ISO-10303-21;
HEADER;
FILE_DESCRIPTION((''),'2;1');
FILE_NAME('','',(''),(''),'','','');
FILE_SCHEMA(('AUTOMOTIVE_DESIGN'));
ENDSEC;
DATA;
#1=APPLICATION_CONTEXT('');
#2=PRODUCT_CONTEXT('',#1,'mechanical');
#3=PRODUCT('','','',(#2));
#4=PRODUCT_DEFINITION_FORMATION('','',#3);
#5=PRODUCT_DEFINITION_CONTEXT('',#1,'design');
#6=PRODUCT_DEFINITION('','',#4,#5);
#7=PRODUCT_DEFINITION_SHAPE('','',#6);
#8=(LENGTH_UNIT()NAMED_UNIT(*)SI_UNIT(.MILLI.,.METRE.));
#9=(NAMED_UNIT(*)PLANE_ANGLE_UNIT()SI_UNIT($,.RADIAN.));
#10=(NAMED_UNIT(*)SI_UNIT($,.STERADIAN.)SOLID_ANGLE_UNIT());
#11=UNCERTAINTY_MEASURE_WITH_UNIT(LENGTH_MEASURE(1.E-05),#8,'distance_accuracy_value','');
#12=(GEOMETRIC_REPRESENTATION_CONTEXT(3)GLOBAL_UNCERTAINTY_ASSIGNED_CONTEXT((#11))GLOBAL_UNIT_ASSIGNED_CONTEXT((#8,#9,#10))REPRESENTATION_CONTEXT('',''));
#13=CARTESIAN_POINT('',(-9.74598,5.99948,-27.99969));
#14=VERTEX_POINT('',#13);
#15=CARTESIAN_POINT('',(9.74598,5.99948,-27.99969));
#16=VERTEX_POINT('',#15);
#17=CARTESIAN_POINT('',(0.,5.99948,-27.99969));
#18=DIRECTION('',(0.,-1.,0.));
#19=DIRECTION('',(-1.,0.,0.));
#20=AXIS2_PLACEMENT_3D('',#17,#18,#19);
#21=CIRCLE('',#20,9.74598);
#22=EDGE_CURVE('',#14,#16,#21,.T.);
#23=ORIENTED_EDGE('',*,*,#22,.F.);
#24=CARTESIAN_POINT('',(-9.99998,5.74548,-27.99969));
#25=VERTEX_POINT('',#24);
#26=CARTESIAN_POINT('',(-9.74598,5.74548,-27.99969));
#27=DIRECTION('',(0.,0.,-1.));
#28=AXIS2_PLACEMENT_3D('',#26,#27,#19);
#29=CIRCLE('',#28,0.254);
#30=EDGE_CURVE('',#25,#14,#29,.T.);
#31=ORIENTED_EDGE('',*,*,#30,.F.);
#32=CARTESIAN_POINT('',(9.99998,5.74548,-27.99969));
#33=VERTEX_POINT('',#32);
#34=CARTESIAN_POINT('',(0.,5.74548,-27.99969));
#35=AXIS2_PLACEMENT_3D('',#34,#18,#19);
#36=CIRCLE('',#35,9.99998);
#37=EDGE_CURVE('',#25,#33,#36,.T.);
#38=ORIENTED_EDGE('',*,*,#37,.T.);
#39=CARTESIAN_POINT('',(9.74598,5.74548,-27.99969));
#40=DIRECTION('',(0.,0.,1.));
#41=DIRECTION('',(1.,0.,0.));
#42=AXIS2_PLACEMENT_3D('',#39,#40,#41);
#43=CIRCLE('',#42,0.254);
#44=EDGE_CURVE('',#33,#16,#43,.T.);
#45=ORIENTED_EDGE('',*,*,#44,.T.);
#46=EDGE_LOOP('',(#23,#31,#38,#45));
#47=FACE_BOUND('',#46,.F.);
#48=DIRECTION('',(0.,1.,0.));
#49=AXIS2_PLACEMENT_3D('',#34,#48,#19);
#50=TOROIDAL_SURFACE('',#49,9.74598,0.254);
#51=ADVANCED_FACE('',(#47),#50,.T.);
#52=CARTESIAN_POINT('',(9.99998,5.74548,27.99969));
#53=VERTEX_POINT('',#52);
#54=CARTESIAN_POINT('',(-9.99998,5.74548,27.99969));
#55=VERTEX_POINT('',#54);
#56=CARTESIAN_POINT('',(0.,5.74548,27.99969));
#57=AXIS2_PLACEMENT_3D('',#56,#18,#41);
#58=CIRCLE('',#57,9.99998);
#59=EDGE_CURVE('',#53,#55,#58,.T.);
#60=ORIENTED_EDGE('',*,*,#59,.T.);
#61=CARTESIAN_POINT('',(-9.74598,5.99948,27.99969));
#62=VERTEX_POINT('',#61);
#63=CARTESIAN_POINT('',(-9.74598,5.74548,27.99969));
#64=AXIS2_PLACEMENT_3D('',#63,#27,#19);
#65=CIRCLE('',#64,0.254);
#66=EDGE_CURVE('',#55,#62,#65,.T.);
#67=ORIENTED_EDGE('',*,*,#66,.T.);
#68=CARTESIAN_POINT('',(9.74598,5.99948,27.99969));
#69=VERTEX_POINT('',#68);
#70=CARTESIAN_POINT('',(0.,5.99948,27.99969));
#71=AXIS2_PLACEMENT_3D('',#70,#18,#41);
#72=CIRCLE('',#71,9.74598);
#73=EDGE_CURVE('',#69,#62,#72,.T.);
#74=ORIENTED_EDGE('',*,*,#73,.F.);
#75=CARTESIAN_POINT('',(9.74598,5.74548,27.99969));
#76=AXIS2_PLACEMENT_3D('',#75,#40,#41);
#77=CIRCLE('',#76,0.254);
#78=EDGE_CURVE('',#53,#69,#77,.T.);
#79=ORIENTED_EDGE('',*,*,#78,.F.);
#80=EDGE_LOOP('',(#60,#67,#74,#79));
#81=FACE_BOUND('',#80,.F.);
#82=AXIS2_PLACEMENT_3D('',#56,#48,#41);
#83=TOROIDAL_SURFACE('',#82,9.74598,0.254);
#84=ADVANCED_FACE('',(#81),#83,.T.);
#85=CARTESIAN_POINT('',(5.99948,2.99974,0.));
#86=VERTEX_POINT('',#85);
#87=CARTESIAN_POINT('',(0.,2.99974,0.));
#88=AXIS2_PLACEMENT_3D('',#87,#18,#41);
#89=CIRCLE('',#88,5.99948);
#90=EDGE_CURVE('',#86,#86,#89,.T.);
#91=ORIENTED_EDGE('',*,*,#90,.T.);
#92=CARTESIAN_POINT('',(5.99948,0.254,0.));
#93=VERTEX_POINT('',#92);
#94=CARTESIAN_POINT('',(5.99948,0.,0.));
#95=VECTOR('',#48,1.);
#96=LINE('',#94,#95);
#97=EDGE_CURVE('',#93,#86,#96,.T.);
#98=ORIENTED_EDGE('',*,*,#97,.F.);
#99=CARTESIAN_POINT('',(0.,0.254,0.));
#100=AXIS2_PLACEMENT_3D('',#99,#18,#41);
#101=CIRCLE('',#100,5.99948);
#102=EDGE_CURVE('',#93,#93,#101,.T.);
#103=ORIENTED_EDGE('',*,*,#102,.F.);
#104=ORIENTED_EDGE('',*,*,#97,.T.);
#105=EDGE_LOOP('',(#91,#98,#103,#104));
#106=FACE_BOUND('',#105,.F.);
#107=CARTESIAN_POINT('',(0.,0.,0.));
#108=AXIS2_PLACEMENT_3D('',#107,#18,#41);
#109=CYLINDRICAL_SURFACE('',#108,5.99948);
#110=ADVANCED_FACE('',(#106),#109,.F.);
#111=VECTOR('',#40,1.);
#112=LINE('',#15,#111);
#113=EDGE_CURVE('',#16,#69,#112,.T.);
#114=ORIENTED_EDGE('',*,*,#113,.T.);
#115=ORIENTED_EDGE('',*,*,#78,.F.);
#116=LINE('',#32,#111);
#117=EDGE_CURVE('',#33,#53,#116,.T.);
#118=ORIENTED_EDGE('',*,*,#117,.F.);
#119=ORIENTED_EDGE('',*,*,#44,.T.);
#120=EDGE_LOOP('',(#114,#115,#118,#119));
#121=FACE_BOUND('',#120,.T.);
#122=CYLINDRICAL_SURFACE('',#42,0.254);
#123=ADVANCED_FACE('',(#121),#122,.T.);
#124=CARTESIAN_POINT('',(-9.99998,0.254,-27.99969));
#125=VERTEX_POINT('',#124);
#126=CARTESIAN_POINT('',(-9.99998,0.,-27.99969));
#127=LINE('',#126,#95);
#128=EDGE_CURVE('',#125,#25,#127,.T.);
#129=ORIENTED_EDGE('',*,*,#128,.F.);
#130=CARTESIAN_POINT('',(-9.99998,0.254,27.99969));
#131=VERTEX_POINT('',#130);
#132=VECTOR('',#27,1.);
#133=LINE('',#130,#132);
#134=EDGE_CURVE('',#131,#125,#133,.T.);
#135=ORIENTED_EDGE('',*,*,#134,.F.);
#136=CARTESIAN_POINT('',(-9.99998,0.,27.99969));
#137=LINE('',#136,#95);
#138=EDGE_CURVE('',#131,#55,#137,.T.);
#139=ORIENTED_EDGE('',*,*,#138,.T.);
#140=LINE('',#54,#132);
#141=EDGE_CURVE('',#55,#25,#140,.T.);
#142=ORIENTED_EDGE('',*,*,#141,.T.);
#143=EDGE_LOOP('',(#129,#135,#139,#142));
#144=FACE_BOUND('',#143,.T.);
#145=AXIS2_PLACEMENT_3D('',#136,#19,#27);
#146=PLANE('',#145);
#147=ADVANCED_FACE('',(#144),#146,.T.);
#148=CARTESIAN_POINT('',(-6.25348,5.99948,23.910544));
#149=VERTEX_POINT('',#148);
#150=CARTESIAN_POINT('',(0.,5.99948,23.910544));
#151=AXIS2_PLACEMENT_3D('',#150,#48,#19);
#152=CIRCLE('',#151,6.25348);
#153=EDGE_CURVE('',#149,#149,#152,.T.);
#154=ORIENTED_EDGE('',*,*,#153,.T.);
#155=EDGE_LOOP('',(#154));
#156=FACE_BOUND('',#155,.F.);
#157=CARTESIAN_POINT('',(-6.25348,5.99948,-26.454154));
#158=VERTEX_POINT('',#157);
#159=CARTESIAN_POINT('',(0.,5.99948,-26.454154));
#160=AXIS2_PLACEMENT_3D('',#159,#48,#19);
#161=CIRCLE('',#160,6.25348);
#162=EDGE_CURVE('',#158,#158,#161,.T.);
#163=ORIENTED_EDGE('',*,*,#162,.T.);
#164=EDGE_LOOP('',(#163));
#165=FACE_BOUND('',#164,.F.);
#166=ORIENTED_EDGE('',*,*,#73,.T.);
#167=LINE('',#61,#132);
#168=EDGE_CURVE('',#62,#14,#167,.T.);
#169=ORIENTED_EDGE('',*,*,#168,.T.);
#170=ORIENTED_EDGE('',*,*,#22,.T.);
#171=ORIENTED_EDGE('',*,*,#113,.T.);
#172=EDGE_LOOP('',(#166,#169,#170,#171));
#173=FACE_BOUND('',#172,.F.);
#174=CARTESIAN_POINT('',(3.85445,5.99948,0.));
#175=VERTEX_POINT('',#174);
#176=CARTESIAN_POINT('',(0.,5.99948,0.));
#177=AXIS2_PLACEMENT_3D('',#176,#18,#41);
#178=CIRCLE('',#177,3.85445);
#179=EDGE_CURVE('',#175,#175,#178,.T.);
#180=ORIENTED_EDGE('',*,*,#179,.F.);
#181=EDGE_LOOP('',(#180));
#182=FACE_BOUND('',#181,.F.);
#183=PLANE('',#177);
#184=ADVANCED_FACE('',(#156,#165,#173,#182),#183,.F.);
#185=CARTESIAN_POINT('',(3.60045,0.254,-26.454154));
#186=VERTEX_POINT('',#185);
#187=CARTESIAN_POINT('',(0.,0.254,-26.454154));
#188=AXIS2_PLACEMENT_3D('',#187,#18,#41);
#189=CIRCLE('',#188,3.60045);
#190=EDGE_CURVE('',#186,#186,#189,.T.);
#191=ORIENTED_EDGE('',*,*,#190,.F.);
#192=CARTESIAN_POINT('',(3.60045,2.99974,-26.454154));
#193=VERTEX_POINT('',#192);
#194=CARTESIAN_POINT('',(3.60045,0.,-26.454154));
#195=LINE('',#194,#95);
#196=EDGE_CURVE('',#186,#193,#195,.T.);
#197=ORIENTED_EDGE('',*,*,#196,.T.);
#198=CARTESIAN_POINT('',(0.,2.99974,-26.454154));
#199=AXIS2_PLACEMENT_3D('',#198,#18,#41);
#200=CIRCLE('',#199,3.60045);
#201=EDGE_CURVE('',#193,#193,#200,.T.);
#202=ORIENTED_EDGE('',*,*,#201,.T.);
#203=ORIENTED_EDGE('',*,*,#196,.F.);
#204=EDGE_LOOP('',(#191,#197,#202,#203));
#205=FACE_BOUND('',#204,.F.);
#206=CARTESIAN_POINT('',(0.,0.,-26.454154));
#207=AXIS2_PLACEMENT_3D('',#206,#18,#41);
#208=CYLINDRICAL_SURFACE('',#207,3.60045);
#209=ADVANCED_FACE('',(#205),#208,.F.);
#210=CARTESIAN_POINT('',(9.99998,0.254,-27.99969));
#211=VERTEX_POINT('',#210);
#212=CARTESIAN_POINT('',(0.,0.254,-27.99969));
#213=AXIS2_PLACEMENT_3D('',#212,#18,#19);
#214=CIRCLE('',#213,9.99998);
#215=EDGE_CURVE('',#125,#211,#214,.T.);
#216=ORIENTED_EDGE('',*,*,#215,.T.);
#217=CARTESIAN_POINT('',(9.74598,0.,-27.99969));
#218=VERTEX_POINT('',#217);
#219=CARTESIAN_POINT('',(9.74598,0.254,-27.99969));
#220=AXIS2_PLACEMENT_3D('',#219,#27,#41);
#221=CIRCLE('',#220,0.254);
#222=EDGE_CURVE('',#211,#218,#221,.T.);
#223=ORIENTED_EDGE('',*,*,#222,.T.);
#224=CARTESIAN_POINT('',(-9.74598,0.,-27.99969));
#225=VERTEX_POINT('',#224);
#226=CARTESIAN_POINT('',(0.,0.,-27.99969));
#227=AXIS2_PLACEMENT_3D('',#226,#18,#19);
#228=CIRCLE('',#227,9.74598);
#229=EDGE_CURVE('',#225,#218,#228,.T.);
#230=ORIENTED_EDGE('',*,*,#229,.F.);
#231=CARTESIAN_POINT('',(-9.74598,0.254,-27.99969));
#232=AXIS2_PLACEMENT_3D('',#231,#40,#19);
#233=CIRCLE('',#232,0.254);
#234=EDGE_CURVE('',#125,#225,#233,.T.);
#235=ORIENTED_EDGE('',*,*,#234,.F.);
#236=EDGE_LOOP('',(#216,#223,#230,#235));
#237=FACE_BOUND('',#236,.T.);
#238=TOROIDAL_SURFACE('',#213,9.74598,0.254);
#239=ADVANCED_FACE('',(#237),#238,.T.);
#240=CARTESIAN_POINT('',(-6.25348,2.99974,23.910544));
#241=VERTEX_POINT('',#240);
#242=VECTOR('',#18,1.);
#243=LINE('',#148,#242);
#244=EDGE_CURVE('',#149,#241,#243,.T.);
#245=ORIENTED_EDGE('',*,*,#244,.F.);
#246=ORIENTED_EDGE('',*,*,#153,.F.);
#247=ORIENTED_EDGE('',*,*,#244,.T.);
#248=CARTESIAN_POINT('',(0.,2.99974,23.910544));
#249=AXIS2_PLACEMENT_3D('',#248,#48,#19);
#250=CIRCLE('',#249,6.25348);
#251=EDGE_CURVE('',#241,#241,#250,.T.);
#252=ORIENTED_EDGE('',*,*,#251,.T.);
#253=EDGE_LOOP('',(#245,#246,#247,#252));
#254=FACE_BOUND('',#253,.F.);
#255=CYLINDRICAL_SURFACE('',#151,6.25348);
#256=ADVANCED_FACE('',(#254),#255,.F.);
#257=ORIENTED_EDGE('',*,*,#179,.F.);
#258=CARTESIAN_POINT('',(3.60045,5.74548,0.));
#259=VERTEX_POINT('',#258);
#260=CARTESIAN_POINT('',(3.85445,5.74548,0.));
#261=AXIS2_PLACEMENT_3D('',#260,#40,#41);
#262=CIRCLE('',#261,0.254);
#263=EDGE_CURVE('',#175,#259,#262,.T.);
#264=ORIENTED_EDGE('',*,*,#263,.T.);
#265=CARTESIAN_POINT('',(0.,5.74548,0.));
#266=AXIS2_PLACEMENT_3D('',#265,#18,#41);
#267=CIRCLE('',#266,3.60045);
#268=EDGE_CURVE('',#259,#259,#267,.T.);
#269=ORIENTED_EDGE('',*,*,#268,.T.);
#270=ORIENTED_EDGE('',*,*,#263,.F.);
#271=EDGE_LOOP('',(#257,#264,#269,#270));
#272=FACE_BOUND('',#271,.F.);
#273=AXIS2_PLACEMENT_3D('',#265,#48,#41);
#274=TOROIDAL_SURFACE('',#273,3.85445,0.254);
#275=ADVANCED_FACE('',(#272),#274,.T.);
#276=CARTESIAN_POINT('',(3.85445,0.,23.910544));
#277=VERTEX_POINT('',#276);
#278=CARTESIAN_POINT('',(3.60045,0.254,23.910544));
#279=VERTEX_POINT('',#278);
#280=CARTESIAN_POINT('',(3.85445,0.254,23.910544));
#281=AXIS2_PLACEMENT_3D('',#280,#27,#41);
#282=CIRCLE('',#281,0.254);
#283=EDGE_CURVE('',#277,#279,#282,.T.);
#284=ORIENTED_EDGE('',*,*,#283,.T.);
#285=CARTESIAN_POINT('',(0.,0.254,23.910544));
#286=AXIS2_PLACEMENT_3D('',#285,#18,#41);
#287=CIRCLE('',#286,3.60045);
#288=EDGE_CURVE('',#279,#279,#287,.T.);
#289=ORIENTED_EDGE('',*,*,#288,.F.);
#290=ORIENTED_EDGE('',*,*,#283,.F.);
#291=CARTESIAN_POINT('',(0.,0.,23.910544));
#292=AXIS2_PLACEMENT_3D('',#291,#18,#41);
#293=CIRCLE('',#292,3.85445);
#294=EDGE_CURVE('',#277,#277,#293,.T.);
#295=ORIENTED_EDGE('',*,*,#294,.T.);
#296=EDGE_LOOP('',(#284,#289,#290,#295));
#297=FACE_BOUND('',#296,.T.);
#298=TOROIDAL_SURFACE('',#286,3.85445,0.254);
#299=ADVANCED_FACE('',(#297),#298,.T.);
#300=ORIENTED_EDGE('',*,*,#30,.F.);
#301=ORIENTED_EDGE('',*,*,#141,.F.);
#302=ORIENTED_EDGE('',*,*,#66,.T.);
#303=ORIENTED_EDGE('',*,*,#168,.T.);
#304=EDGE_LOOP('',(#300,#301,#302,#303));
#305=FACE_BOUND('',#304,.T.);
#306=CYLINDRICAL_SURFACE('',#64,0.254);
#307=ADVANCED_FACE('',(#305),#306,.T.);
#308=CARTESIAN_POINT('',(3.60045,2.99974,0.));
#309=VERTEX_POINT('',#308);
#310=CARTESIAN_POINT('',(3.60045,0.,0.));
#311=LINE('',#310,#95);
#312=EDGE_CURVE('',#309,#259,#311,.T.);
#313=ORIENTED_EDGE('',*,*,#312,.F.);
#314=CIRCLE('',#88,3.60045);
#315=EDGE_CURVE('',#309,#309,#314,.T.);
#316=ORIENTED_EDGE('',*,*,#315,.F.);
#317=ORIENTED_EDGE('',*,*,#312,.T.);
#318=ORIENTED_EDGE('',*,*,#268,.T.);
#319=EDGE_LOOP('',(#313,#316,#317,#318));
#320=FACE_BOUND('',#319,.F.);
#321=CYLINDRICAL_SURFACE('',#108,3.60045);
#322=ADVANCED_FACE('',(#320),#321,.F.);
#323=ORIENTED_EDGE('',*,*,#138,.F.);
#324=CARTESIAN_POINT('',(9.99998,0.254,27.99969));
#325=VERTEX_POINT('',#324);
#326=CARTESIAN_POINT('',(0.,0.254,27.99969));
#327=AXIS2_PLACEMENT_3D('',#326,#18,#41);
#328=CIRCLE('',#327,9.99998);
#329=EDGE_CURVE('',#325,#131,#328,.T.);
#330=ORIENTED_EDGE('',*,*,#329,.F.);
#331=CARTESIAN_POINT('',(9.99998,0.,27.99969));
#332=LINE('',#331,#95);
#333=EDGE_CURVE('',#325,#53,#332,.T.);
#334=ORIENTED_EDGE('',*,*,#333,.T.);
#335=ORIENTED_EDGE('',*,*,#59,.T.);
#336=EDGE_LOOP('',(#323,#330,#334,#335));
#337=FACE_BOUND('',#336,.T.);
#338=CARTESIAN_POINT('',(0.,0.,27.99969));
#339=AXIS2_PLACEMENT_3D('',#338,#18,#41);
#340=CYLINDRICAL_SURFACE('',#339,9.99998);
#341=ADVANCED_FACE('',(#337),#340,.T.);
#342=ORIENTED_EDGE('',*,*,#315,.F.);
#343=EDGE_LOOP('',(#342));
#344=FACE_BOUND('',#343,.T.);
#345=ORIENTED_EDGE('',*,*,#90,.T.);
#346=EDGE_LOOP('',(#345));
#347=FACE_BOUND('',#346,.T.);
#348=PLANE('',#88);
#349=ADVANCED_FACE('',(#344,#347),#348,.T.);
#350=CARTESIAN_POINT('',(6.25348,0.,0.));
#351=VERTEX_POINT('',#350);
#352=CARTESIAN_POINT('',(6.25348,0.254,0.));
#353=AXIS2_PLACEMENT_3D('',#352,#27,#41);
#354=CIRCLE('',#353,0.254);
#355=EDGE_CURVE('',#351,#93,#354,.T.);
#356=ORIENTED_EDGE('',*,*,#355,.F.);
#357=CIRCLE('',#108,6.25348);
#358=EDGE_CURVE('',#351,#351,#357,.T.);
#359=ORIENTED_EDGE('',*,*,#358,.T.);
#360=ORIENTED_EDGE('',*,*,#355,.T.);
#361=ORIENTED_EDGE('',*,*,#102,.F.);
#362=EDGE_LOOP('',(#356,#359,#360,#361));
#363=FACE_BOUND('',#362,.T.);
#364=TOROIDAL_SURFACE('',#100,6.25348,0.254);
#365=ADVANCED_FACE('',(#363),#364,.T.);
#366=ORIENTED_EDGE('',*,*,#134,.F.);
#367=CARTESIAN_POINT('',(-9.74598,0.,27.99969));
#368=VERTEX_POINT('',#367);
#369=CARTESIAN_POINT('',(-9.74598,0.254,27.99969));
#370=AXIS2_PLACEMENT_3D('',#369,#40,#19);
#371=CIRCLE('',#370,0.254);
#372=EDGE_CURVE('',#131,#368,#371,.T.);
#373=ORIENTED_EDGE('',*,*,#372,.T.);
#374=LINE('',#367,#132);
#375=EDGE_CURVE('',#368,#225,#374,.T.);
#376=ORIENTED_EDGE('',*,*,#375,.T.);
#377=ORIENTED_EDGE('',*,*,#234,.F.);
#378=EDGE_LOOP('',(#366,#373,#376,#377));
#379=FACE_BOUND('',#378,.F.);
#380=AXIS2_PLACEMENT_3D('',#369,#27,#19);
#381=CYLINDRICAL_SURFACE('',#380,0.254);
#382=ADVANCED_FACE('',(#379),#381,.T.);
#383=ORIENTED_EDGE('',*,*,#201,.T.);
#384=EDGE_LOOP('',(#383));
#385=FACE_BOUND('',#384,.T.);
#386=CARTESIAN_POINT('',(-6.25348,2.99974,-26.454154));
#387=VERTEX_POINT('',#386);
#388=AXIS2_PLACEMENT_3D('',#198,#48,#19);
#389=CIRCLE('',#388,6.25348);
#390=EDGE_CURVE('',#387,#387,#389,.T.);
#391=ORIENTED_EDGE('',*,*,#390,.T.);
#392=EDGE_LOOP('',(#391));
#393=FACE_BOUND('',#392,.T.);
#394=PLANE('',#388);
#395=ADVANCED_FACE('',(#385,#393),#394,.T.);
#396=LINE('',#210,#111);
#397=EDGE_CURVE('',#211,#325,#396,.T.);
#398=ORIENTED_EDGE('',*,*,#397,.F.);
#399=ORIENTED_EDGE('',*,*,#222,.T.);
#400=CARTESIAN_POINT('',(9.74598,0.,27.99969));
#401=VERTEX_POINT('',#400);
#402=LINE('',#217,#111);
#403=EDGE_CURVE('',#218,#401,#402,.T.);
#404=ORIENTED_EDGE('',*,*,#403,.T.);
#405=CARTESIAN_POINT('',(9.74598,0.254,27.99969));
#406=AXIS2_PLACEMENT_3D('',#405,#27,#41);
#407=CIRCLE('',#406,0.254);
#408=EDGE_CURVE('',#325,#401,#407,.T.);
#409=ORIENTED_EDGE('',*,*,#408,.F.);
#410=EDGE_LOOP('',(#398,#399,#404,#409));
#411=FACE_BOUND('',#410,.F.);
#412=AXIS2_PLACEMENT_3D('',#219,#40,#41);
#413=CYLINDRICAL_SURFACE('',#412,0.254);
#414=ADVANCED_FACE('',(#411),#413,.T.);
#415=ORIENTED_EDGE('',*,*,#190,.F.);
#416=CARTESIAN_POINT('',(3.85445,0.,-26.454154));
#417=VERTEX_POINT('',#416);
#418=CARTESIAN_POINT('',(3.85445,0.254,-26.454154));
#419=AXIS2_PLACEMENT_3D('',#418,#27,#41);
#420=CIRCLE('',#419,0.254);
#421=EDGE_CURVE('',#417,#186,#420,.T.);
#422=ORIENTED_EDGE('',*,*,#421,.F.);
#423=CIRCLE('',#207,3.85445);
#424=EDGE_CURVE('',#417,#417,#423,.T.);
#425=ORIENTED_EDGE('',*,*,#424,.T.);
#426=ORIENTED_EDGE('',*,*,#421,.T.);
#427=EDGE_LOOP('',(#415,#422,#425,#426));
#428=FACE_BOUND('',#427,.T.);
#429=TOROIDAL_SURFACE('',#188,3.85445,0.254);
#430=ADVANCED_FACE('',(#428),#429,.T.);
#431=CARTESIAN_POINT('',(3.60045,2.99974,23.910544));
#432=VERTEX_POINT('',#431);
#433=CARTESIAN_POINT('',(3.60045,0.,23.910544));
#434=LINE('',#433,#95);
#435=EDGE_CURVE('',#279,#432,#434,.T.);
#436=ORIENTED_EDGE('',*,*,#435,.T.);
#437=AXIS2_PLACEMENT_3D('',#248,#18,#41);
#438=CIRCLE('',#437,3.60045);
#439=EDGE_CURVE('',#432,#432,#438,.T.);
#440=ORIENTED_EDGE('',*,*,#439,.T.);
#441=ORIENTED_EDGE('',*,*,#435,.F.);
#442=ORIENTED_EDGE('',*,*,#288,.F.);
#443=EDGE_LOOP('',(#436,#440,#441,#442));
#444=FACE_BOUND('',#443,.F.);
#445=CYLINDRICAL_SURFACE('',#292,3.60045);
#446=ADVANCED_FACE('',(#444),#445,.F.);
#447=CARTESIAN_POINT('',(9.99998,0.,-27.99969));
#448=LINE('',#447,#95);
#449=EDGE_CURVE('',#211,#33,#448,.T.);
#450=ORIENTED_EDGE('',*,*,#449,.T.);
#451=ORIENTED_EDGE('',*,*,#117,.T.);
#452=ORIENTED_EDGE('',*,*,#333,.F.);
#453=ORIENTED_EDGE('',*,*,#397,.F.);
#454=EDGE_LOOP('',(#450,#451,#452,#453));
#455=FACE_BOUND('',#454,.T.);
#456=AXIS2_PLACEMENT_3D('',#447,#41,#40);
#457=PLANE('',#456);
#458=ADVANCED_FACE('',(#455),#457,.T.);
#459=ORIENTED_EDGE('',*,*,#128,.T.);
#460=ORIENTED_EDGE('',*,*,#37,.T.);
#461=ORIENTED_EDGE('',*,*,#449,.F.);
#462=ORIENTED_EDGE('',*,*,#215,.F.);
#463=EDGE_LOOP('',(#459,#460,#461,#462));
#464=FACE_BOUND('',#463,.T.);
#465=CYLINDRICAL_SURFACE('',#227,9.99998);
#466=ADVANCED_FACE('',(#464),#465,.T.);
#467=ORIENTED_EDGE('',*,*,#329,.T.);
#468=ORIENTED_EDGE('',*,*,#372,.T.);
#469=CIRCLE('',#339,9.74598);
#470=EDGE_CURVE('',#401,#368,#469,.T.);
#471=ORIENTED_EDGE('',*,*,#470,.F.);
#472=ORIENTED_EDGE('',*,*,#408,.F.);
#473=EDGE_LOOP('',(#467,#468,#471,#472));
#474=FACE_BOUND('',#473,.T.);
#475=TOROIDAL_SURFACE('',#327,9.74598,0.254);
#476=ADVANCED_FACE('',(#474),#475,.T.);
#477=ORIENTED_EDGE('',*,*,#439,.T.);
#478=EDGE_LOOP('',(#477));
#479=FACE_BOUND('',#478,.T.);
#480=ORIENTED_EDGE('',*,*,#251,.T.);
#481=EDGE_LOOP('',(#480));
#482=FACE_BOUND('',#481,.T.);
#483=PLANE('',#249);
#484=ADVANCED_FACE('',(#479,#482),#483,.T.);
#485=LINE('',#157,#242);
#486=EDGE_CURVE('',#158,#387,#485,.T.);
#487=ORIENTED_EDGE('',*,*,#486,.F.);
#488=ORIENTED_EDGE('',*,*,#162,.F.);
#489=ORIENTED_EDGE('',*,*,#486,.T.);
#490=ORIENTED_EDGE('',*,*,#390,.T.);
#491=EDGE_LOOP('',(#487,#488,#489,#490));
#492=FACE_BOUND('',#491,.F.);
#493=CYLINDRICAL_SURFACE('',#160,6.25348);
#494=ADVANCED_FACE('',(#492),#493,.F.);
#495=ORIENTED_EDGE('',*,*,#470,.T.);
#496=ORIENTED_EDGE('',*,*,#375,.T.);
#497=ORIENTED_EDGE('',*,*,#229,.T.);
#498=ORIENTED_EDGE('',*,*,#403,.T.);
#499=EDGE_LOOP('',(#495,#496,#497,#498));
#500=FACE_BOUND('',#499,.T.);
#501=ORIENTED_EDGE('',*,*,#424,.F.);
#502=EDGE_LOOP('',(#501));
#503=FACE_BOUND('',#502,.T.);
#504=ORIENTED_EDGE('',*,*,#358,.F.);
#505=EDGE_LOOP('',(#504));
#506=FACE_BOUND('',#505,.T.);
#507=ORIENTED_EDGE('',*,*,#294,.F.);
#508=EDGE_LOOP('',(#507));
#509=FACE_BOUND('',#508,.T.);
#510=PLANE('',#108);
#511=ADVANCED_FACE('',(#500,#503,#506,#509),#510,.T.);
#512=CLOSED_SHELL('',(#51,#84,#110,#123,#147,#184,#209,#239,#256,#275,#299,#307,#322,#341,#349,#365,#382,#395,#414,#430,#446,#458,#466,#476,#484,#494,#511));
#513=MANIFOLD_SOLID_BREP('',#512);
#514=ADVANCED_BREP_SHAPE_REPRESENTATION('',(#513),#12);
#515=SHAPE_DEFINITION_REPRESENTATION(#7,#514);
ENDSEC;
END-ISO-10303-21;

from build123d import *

# Parameters (mm, degrees)
F0_R     = 3.60045
F1_DEPTH = 5.99948
F2_R     = 5.99948
F3_DEPTH = 2.99974
F4_R     = 0.254
F5_R     = 6.25348
F6_DEPTH = 2.99974


with BuildPart() as f1:
    # F0 (on Front) → F1 (new body)
    with BuildSketch(Plane.XZ):
        with BuildLine():
            ThreePointArc((-9.99998, -27.99969), (0, -37.99967), (9.99998, -27.99969))
            Line((9.99998, -27.99969), (9.99998, 27.99969))
            ThreePointArc((9.99998, 27.99969), (0, 37.99967), (-9.99998, 27.99969))
            Line((-9.99998, 27.99969), (-9.99998, -27.99969))
        make_face()
        with Locations((0, -26.454154)):
            Circle(F0_R, mode=Mode.SUBTRACT)
        Circle(F0_R, mode=Mode.SUBTRACT)
        with Locations((0, 23.910544)):
            Circle(F0_R, mode=Mode.SUBTRACT)
    extrude(amount=-F1_DEPTH)

    # F2 (on Front) → F3 (cut)
    with BuildSketch(Plane.XZ):
        Circle(F2_R)
    extrude(amount=-F3_DEPTH, mode=Mode.SUBTRACT)

    # F4
    f4_edges = [f1.edges().sort_by_distance(p)[0] for p in [
        (0, 0, -37.99967),
        (-9.99998, 0, 0),
        (9.99998, 0, 0),
        (0, 0, 37.99967),
        (-3.60045, 0, -26.454154),
        (-5.99948, 0, 0),
        (-3.60045, 0, 23.910544),
        (0, 5.99948, -37.99967),
        (9.99998, 5.99948, 0),
        (0, 5.99948, 37.99967),
        (-9.99998, 5.99948, 0),
        (-3.60045, 5.99948, -26.454154),
        (-3.60045, 5.99948, 0),
        (-3.60045, 5.99948, 23.910544),
    ]]
    fillet(f4_edges, radius=F4_R)

    # F5 (on face) → F6 (cut)
    with BuildSketch(Plane(origin=(0, 5.99948, 0), x_dir=(-1, 0, 0), z_dir=(0, 1, 0))):
        with Locations((0, 23.910544)):
            Circle(F5_R)
        with Locations((0, -26.454154)):
            Circle(F5_R)
    extrude(amount=-F6_DEPTH, mode=Mode.SUBTRACT)


solid = f1.part
